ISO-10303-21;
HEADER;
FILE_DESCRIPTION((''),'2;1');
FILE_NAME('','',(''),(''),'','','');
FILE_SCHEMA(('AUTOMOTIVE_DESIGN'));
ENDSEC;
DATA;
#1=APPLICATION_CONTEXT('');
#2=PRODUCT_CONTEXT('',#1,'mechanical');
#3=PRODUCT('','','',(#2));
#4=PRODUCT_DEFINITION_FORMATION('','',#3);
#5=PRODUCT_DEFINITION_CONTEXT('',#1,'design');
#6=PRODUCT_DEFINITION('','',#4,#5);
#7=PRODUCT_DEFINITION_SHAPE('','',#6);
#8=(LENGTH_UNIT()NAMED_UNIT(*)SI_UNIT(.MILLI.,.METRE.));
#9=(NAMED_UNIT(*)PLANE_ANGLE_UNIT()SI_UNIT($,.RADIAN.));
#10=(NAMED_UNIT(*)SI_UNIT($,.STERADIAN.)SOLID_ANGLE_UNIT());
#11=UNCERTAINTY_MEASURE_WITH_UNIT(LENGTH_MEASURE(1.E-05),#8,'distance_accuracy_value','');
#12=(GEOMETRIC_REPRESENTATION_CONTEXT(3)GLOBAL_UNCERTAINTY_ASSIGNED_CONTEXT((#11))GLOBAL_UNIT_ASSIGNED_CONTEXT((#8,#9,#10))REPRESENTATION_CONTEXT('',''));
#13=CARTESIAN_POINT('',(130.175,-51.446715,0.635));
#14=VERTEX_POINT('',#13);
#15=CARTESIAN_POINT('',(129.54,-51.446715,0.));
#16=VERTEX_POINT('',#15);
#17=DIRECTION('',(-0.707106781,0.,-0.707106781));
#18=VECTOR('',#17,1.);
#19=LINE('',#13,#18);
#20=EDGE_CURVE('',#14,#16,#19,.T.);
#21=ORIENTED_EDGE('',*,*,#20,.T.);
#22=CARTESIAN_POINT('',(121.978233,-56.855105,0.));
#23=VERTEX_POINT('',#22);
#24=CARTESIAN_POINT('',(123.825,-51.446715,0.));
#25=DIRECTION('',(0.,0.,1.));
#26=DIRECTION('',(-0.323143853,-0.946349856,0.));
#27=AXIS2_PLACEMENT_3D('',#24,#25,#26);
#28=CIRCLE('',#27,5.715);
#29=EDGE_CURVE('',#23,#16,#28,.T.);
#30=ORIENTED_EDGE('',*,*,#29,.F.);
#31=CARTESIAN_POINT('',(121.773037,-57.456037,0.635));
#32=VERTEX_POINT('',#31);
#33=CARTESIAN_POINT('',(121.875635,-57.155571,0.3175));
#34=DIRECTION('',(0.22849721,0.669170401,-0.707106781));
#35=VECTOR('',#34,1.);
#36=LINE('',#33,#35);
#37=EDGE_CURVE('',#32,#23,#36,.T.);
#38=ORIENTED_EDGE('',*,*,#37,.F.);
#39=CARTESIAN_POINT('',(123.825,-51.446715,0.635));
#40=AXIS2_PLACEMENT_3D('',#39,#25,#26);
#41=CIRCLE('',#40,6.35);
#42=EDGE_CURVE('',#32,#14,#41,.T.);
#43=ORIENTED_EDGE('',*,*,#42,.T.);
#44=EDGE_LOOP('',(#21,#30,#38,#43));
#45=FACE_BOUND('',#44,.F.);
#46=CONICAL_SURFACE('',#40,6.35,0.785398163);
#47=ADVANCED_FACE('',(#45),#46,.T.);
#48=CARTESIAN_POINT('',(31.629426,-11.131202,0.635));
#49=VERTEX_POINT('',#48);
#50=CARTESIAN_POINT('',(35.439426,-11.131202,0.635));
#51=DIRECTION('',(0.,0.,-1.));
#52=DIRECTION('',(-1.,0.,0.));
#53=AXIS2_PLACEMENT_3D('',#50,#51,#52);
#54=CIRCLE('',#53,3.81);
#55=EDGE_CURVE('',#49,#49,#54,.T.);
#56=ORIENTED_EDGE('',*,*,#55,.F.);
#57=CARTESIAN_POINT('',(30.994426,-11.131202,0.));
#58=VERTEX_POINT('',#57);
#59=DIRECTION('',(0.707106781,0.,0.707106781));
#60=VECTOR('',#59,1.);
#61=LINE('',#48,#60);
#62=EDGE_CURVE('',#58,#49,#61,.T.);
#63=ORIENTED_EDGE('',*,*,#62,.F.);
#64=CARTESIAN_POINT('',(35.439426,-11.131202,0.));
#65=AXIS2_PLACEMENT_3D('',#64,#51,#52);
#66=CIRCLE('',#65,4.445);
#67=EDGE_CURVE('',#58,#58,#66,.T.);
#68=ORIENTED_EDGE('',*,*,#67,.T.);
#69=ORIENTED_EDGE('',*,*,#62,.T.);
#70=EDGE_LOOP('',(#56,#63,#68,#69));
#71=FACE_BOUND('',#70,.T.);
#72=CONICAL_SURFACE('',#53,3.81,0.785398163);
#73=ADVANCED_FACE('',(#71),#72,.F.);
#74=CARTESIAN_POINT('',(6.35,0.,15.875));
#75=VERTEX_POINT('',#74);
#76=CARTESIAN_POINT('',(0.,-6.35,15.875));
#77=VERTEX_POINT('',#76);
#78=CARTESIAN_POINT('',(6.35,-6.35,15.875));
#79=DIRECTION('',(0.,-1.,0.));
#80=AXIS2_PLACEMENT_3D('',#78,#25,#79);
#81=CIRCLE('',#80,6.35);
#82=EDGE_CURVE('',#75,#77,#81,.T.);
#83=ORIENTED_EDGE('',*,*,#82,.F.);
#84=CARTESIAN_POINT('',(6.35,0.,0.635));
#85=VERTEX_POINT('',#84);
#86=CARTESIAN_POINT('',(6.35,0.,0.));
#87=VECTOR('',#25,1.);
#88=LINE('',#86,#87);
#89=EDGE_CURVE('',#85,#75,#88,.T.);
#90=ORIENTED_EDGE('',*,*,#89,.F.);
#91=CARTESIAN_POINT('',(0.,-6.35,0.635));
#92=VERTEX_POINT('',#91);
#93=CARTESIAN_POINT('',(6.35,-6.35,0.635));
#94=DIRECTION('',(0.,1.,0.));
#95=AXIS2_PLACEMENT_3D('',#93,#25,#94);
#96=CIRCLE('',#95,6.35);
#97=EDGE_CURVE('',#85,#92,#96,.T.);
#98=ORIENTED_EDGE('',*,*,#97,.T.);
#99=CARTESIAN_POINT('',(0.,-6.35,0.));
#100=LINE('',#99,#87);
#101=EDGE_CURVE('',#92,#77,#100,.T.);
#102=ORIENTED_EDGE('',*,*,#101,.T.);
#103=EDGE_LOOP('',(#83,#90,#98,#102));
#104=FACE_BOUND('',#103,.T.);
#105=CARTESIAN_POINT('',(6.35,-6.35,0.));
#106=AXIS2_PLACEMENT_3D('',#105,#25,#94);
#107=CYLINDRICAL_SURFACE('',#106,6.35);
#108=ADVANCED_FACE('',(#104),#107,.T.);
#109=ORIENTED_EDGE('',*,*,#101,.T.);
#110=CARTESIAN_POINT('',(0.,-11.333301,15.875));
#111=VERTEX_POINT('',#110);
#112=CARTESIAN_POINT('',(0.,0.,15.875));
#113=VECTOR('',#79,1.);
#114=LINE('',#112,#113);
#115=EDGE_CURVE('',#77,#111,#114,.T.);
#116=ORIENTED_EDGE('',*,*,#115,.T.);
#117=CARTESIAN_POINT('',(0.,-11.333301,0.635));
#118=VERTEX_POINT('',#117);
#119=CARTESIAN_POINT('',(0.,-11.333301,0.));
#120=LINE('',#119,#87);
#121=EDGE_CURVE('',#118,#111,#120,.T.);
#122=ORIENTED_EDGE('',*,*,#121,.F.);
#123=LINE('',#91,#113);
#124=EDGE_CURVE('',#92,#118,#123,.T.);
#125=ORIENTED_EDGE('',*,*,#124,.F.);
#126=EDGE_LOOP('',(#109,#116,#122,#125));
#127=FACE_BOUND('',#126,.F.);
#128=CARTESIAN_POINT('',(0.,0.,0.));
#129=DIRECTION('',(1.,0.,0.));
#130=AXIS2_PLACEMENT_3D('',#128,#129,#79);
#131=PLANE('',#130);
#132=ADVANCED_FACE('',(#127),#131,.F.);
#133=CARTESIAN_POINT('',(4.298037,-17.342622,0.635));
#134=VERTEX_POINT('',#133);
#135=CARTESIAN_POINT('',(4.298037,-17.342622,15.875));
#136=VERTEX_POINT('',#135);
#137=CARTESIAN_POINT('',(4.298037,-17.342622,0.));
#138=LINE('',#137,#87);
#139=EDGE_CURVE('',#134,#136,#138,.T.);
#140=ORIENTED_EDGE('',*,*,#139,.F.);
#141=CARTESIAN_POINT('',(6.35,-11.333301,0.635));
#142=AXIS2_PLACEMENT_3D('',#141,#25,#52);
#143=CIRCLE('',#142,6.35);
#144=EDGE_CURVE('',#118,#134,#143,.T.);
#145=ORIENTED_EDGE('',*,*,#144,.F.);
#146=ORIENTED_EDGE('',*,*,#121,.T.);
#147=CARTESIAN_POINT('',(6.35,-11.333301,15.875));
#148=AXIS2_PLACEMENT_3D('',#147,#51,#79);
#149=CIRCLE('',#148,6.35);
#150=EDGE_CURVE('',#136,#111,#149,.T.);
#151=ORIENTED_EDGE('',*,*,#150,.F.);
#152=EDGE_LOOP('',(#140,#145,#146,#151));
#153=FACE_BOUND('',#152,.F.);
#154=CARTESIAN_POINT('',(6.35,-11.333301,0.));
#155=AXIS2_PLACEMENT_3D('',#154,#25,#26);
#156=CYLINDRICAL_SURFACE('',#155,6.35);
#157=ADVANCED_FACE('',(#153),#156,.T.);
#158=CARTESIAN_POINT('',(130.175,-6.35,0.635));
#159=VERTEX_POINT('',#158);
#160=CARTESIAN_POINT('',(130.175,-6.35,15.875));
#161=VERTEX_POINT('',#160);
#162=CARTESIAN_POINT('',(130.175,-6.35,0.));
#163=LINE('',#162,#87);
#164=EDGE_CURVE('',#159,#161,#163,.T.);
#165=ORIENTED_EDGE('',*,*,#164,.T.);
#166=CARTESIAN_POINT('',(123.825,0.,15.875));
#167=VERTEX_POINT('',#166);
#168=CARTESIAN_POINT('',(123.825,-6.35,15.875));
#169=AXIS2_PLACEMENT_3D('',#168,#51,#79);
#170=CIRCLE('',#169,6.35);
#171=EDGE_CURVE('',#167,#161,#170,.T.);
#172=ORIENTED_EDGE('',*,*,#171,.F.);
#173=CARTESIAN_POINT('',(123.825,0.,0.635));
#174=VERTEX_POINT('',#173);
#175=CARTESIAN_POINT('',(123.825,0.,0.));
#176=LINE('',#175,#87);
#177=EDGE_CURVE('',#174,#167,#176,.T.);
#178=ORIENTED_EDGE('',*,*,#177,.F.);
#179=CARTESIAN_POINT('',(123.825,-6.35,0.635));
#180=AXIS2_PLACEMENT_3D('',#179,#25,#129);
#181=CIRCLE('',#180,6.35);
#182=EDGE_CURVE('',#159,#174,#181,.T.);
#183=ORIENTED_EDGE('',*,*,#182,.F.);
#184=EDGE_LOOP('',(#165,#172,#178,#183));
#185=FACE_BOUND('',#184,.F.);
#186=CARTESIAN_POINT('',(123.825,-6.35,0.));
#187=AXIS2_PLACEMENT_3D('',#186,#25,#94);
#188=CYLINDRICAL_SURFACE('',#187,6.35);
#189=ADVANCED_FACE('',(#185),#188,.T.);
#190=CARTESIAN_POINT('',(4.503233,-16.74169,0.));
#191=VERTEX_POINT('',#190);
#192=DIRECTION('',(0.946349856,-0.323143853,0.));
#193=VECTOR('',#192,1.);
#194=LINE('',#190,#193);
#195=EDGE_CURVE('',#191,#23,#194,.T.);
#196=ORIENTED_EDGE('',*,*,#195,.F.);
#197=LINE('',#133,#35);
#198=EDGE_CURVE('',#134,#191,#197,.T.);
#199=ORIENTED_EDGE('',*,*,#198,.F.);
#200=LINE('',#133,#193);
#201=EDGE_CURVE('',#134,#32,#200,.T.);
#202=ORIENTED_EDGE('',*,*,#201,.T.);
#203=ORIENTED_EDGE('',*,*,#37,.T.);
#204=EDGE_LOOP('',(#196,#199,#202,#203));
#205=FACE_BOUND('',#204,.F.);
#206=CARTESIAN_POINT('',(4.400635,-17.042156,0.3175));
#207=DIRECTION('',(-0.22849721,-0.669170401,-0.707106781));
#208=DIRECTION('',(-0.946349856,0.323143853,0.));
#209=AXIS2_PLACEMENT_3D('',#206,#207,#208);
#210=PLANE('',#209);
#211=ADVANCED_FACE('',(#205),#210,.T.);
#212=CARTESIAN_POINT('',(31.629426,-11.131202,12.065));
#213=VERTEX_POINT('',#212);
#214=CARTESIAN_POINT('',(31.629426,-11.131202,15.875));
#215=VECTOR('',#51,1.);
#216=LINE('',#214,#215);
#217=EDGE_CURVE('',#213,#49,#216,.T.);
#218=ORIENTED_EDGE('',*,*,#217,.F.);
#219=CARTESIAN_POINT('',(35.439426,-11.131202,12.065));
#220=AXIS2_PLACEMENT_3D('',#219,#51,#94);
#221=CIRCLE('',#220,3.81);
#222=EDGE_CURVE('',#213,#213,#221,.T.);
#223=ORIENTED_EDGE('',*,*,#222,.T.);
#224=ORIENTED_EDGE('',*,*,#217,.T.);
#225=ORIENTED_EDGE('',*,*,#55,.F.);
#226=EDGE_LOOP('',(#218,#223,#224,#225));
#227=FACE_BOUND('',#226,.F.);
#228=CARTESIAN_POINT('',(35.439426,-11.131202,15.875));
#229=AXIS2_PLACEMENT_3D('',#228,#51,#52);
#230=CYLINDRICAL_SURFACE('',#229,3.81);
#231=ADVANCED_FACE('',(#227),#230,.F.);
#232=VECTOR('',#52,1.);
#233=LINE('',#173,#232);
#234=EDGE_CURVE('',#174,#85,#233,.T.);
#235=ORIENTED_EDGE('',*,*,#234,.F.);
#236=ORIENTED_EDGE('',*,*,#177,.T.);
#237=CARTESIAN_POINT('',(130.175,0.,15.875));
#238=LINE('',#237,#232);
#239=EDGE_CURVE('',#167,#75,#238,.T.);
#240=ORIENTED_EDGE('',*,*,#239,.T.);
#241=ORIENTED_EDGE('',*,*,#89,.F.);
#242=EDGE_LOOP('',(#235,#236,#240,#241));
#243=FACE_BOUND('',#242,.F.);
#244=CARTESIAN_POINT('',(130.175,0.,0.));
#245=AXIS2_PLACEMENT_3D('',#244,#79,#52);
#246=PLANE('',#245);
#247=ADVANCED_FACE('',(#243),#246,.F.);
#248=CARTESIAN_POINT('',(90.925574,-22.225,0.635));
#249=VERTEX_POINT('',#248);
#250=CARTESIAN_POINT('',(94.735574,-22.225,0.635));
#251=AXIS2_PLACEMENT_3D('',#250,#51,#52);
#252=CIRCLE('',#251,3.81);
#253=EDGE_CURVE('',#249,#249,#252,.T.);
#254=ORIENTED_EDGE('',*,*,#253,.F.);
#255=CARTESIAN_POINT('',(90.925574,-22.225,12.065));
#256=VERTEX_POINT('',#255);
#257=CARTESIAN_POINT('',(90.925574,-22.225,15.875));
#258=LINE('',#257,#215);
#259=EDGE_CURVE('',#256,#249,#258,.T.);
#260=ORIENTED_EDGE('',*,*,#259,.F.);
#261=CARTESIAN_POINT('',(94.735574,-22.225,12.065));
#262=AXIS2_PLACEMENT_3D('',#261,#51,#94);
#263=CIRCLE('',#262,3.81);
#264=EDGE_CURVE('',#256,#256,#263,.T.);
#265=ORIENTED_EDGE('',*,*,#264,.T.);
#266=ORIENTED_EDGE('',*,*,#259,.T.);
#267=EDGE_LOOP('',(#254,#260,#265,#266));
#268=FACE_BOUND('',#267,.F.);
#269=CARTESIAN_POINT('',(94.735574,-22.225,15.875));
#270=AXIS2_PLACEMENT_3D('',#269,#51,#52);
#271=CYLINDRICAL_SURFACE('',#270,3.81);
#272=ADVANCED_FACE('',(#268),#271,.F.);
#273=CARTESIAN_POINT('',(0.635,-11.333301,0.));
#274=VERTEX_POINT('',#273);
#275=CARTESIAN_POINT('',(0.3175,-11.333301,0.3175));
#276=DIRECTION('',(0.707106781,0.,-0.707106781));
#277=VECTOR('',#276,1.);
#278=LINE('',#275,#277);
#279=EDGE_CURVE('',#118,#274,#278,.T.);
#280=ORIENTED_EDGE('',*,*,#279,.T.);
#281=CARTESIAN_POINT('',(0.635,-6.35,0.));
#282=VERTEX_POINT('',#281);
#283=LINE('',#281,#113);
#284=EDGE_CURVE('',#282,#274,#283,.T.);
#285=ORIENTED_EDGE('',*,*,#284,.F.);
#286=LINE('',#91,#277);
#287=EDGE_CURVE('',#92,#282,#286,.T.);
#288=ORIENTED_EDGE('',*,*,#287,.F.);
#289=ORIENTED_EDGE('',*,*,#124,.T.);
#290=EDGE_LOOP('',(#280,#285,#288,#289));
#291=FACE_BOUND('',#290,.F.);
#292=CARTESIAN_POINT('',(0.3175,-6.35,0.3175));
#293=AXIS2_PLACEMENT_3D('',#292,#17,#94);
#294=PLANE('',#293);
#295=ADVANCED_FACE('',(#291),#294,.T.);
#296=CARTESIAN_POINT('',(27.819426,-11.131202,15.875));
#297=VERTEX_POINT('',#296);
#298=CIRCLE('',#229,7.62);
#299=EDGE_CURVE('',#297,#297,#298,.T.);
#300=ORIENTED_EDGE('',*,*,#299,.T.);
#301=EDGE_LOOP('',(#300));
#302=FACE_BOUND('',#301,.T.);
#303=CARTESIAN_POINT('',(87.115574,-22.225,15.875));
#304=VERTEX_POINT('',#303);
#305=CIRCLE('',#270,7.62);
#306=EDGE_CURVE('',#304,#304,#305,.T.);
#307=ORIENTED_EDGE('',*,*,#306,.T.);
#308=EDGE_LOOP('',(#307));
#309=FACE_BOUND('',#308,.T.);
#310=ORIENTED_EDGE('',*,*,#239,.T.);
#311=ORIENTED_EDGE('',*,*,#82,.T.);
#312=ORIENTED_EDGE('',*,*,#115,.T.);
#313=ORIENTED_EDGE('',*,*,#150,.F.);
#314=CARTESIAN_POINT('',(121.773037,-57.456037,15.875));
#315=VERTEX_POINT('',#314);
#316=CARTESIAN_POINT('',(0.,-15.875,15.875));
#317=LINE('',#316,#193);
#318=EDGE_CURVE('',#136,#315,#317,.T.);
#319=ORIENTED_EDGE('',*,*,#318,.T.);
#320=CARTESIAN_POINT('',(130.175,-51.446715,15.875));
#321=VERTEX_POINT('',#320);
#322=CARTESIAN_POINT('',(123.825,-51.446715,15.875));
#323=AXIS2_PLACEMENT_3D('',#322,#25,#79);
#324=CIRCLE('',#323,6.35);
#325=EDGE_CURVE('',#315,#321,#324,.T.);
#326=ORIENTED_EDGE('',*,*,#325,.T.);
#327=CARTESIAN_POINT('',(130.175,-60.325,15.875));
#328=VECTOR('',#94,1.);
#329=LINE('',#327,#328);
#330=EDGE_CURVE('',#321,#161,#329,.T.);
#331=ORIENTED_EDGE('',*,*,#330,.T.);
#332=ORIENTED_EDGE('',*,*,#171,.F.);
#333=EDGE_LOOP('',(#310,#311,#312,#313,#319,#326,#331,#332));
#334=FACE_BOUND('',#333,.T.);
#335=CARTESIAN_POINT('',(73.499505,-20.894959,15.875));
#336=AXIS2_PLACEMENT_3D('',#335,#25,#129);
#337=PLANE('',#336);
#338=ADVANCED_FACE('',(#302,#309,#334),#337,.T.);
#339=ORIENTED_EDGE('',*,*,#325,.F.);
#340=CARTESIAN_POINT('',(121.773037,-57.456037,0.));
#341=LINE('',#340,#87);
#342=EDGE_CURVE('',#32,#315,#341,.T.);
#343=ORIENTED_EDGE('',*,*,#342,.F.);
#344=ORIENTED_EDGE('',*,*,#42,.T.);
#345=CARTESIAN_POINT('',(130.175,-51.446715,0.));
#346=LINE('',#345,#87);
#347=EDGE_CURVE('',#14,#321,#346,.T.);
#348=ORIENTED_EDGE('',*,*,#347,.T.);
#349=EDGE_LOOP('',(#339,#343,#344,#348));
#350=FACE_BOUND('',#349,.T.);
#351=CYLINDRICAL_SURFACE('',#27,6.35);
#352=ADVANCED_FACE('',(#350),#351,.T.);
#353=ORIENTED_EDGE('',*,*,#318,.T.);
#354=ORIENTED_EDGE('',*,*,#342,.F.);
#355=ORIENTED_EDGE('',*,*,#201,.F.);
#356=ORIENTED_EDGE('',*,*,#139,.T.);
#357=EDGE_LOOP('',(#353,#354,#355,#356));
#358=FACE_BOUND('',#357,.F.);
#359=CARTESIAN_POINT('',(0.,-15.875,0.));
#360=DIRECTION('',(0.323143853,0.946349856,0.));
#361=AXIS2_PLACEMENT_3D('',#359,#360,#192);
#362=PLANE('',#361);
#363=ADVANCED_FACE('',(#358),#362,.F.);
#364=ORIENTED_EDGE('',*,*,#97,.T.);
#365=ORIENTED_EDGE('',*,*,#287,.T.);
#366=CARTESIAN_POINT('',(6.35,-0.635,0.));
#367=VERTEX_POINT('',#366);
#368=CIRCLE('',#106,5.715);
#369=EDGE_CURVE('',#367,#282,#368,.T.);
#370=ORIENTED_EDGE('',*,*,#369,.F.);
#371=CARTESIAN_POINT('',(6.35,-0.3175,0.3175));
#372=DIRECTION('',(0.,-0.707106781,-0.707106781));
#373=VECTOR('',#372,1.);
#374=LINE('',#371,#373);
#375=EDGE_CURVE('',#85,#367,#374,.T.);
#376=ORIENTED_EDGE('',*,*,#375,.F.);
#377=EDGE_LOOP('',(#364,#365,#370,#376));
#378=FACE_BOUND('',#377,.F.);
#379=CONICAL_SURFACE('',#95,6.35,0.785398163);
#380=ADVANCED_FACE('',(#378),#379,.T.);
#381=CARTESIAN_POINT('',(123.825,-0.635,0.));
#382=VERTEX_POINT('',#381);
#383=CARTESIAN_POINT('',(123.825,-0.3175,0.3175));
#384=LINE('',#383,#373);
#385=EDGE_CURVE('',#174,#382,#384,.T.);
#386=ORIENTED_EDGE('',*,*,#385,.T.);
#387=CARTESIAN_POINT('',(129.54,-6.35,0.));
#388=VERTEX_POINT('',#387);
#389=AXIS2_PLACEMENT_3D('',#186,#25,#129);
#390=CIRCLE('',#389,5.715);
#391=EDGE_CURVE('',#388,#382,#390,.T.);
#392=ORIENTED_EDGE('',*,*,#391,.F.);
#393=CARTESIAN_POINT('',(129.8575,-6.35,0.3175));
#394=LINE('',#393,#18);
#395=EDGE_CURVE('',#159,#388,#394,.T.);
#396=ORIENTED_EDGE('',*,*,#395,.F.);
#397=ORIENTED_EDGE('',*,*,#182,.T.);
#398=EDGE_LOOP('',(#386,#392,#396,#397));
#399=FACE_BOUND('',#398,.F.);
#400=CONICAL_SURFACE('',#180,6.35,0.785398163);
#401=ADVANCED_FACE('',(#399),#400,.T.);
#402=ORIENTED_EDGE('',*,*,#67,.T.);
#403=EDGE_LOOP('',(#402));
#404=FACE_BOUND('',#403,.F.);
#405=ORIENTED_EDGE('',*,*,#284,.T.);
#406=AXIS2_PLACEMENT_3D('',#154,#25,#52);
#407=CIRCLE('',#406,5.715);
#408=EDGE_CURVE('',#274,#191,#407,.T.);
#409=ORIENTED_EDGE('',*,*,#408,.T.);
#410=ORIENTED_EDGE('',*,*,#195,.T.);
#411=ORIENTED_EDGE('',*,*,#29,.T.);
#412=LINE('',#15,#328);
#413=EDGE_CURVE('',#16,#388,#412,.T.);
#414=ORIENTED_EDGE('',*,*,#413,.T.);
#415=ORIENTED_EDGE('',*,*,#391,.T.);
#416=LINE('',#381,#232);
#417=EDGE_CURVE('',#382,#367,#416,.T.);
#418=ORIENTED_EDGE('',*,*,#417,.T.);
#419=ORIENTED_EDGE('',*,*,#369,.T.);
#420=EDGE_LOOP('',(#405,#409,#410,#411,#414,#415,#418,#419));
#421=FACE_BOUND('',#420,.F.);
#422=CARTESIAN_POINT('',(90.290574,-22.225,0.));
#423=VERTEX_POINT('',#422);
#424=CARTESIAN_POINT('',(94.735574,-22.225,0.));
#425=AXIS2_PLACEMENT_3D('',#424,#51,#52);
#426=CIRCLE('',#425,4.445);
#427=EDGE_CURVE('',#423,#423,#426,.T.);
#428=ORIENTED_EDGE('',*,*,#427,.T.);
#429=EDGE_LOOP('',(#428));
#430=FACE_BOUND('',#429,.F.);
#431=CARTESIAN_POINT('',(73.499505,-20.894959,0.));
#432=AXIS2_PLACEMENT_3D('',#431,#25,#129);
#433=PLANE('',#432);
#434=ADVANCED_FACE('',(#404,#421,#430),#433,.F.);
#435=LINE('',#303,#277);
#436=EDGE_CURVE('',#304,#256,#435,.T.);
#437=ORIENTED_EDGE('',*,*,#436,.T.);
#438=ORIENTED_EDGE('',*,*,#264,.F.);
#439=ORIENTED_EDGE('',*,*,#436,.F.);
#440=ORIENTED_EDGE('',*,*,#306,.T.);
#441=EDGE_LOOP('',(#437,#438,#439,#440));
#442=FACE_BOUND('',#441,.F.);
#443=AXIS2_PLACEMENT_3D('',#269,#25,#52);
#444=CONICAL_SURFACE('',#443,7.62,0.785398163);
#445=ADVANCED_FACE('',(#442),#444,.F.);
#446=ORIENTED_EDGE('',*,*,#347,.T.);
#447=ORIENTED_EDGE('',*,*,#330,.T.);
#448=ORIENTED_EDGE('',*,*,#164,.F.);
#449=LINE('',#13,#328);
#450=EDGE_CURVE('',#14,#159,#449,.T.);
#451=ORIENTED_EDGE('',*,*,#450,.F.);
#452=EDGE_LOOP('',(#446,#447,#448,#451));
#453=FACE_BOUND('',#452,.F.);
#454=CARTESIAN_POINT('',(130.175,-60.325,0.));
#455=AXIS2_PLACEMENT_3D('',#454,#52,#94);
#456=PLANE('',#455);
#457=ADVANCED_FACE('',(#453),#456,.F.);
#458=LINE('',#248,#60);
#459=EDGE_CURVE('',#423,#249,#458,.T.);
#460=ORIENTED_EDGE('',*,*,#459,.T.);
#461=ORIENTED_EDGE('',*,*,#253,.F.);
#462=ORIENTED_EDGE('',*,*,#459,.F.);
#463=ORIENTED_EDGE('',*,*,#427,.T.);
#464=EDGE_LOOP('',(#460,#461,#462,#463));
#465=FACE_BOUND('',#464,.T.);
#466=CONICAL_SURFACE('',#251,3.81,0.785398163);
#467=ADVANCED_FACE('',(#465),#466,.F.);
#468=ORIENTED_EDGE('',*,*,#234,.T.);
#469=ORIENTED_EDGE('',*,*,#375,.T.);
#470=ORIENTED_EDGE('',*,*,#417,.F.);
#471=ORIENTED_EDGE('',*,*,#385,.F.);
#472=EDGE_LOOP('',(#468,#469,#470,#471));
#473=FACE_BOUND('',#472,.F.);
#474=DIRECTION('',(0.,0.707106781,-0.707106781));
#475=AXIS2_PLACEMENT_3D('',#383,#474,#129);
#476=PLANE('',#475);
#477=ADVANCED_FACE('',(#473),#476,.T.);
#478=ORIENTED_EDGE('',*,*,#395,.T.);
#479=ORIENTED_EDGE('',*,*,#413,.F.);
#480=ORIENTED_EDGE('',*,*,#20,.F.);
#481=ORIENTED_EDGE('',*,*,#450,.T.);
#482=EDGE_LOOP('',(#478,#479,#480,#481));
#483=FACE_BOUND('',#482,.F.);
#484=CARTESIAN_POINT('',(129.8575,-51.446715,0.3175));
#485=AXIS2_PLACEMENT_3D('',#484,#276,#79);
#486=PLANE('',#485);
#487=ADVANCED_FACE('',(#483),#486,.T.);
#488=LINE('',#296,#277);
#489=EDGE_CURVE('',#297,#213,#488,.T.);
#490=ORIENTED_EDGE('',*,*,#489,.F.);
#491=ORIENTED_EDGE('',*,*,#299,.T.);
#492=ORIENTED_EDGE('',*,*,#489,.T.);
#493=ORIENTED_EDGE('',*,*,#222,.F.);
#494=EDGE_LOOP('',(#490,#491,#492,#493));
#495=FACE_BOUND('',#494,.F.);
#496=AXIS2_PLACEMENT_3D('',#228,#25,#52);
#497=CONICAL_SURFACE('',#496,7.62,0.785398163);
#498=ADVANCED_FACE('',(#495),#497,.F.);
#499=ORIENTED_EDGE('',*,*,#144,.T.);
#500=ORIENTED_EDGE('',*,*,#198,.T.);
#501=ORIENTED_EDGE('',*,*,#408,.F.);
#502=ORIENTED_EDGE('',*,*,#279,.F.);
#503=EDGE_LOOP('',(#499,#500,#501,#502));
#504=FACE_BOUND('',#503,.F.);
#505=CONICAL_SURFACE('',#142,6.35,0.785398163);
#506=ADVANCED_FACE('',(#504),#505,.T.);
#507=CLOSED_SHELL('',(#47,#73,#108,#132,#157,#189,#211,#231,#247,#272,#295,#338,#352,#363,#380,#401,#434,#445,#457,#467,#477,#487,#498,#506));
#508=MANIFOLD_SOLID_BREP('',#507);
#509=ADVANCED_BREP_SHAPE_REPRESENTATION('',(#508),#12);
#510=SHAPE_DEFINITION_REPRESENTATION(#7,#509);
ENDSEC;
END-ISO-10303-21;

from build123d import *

# Parameters (mm, degrees)
F1_DEPTH       = 15.875
F3_D           = 7.62
F3_CSINK_D     = 15.24
F3_CSINK_ANGLE = 90
F4_R           = 6.35
F5_SIZE        = 0.635


with BuildPart() as f1:
    # F0 (on Top) → F1 (new body)
    with BuildSketch(Plane.XY):
        Polygon((130.175, 0), (0, 0), (0, -15.875), (130.175, -60.325), align=None)
    extrude(amount=F1_DEPTH)

    # F3 (through all)
    with Locations(Plane.XY.offset(15.875)):
        with Locations((35.439426, -11.131202), (94.735574, -22.225)):
            CounterSinkHole(F3_D / 2, F3_CSINK_D / 2, counter_sink_angle=F3_CSINK_ANGLE)

    # F4
    f4_edges = [f1.edges().sort_by_distance(p)[0] for p in [
        (0, -15.875, 7.9375),
        (0, 0, 7.9375),
        (130.175, -60.325, 7.9375),
        (130.175, 0, 7.9375),
    ]]
    fillet(f4_edges, radius=F4_R)

    # F5
    f5_edges = [f1.edges().sort_by_distance(p)[0] for p in [
        (65.0875, 0, 0),
        (128.315128, -1.859872, 0),
        (1.859872, -1.859872, 0),
        (130.175, -28.898358, 0),
        (0, -8.84165, 0),
        (127.519085, -56.611619, 0),
        (1.185096, -15.027386, 0),
        (63.035537, -37.39933, 0),
        (90.925574, -22.225, 0),
        (31.629426, -11.131202, 0),
    ]]
    chamfer(f5_edges, length=F5_SIZE)


solid = f1.part
